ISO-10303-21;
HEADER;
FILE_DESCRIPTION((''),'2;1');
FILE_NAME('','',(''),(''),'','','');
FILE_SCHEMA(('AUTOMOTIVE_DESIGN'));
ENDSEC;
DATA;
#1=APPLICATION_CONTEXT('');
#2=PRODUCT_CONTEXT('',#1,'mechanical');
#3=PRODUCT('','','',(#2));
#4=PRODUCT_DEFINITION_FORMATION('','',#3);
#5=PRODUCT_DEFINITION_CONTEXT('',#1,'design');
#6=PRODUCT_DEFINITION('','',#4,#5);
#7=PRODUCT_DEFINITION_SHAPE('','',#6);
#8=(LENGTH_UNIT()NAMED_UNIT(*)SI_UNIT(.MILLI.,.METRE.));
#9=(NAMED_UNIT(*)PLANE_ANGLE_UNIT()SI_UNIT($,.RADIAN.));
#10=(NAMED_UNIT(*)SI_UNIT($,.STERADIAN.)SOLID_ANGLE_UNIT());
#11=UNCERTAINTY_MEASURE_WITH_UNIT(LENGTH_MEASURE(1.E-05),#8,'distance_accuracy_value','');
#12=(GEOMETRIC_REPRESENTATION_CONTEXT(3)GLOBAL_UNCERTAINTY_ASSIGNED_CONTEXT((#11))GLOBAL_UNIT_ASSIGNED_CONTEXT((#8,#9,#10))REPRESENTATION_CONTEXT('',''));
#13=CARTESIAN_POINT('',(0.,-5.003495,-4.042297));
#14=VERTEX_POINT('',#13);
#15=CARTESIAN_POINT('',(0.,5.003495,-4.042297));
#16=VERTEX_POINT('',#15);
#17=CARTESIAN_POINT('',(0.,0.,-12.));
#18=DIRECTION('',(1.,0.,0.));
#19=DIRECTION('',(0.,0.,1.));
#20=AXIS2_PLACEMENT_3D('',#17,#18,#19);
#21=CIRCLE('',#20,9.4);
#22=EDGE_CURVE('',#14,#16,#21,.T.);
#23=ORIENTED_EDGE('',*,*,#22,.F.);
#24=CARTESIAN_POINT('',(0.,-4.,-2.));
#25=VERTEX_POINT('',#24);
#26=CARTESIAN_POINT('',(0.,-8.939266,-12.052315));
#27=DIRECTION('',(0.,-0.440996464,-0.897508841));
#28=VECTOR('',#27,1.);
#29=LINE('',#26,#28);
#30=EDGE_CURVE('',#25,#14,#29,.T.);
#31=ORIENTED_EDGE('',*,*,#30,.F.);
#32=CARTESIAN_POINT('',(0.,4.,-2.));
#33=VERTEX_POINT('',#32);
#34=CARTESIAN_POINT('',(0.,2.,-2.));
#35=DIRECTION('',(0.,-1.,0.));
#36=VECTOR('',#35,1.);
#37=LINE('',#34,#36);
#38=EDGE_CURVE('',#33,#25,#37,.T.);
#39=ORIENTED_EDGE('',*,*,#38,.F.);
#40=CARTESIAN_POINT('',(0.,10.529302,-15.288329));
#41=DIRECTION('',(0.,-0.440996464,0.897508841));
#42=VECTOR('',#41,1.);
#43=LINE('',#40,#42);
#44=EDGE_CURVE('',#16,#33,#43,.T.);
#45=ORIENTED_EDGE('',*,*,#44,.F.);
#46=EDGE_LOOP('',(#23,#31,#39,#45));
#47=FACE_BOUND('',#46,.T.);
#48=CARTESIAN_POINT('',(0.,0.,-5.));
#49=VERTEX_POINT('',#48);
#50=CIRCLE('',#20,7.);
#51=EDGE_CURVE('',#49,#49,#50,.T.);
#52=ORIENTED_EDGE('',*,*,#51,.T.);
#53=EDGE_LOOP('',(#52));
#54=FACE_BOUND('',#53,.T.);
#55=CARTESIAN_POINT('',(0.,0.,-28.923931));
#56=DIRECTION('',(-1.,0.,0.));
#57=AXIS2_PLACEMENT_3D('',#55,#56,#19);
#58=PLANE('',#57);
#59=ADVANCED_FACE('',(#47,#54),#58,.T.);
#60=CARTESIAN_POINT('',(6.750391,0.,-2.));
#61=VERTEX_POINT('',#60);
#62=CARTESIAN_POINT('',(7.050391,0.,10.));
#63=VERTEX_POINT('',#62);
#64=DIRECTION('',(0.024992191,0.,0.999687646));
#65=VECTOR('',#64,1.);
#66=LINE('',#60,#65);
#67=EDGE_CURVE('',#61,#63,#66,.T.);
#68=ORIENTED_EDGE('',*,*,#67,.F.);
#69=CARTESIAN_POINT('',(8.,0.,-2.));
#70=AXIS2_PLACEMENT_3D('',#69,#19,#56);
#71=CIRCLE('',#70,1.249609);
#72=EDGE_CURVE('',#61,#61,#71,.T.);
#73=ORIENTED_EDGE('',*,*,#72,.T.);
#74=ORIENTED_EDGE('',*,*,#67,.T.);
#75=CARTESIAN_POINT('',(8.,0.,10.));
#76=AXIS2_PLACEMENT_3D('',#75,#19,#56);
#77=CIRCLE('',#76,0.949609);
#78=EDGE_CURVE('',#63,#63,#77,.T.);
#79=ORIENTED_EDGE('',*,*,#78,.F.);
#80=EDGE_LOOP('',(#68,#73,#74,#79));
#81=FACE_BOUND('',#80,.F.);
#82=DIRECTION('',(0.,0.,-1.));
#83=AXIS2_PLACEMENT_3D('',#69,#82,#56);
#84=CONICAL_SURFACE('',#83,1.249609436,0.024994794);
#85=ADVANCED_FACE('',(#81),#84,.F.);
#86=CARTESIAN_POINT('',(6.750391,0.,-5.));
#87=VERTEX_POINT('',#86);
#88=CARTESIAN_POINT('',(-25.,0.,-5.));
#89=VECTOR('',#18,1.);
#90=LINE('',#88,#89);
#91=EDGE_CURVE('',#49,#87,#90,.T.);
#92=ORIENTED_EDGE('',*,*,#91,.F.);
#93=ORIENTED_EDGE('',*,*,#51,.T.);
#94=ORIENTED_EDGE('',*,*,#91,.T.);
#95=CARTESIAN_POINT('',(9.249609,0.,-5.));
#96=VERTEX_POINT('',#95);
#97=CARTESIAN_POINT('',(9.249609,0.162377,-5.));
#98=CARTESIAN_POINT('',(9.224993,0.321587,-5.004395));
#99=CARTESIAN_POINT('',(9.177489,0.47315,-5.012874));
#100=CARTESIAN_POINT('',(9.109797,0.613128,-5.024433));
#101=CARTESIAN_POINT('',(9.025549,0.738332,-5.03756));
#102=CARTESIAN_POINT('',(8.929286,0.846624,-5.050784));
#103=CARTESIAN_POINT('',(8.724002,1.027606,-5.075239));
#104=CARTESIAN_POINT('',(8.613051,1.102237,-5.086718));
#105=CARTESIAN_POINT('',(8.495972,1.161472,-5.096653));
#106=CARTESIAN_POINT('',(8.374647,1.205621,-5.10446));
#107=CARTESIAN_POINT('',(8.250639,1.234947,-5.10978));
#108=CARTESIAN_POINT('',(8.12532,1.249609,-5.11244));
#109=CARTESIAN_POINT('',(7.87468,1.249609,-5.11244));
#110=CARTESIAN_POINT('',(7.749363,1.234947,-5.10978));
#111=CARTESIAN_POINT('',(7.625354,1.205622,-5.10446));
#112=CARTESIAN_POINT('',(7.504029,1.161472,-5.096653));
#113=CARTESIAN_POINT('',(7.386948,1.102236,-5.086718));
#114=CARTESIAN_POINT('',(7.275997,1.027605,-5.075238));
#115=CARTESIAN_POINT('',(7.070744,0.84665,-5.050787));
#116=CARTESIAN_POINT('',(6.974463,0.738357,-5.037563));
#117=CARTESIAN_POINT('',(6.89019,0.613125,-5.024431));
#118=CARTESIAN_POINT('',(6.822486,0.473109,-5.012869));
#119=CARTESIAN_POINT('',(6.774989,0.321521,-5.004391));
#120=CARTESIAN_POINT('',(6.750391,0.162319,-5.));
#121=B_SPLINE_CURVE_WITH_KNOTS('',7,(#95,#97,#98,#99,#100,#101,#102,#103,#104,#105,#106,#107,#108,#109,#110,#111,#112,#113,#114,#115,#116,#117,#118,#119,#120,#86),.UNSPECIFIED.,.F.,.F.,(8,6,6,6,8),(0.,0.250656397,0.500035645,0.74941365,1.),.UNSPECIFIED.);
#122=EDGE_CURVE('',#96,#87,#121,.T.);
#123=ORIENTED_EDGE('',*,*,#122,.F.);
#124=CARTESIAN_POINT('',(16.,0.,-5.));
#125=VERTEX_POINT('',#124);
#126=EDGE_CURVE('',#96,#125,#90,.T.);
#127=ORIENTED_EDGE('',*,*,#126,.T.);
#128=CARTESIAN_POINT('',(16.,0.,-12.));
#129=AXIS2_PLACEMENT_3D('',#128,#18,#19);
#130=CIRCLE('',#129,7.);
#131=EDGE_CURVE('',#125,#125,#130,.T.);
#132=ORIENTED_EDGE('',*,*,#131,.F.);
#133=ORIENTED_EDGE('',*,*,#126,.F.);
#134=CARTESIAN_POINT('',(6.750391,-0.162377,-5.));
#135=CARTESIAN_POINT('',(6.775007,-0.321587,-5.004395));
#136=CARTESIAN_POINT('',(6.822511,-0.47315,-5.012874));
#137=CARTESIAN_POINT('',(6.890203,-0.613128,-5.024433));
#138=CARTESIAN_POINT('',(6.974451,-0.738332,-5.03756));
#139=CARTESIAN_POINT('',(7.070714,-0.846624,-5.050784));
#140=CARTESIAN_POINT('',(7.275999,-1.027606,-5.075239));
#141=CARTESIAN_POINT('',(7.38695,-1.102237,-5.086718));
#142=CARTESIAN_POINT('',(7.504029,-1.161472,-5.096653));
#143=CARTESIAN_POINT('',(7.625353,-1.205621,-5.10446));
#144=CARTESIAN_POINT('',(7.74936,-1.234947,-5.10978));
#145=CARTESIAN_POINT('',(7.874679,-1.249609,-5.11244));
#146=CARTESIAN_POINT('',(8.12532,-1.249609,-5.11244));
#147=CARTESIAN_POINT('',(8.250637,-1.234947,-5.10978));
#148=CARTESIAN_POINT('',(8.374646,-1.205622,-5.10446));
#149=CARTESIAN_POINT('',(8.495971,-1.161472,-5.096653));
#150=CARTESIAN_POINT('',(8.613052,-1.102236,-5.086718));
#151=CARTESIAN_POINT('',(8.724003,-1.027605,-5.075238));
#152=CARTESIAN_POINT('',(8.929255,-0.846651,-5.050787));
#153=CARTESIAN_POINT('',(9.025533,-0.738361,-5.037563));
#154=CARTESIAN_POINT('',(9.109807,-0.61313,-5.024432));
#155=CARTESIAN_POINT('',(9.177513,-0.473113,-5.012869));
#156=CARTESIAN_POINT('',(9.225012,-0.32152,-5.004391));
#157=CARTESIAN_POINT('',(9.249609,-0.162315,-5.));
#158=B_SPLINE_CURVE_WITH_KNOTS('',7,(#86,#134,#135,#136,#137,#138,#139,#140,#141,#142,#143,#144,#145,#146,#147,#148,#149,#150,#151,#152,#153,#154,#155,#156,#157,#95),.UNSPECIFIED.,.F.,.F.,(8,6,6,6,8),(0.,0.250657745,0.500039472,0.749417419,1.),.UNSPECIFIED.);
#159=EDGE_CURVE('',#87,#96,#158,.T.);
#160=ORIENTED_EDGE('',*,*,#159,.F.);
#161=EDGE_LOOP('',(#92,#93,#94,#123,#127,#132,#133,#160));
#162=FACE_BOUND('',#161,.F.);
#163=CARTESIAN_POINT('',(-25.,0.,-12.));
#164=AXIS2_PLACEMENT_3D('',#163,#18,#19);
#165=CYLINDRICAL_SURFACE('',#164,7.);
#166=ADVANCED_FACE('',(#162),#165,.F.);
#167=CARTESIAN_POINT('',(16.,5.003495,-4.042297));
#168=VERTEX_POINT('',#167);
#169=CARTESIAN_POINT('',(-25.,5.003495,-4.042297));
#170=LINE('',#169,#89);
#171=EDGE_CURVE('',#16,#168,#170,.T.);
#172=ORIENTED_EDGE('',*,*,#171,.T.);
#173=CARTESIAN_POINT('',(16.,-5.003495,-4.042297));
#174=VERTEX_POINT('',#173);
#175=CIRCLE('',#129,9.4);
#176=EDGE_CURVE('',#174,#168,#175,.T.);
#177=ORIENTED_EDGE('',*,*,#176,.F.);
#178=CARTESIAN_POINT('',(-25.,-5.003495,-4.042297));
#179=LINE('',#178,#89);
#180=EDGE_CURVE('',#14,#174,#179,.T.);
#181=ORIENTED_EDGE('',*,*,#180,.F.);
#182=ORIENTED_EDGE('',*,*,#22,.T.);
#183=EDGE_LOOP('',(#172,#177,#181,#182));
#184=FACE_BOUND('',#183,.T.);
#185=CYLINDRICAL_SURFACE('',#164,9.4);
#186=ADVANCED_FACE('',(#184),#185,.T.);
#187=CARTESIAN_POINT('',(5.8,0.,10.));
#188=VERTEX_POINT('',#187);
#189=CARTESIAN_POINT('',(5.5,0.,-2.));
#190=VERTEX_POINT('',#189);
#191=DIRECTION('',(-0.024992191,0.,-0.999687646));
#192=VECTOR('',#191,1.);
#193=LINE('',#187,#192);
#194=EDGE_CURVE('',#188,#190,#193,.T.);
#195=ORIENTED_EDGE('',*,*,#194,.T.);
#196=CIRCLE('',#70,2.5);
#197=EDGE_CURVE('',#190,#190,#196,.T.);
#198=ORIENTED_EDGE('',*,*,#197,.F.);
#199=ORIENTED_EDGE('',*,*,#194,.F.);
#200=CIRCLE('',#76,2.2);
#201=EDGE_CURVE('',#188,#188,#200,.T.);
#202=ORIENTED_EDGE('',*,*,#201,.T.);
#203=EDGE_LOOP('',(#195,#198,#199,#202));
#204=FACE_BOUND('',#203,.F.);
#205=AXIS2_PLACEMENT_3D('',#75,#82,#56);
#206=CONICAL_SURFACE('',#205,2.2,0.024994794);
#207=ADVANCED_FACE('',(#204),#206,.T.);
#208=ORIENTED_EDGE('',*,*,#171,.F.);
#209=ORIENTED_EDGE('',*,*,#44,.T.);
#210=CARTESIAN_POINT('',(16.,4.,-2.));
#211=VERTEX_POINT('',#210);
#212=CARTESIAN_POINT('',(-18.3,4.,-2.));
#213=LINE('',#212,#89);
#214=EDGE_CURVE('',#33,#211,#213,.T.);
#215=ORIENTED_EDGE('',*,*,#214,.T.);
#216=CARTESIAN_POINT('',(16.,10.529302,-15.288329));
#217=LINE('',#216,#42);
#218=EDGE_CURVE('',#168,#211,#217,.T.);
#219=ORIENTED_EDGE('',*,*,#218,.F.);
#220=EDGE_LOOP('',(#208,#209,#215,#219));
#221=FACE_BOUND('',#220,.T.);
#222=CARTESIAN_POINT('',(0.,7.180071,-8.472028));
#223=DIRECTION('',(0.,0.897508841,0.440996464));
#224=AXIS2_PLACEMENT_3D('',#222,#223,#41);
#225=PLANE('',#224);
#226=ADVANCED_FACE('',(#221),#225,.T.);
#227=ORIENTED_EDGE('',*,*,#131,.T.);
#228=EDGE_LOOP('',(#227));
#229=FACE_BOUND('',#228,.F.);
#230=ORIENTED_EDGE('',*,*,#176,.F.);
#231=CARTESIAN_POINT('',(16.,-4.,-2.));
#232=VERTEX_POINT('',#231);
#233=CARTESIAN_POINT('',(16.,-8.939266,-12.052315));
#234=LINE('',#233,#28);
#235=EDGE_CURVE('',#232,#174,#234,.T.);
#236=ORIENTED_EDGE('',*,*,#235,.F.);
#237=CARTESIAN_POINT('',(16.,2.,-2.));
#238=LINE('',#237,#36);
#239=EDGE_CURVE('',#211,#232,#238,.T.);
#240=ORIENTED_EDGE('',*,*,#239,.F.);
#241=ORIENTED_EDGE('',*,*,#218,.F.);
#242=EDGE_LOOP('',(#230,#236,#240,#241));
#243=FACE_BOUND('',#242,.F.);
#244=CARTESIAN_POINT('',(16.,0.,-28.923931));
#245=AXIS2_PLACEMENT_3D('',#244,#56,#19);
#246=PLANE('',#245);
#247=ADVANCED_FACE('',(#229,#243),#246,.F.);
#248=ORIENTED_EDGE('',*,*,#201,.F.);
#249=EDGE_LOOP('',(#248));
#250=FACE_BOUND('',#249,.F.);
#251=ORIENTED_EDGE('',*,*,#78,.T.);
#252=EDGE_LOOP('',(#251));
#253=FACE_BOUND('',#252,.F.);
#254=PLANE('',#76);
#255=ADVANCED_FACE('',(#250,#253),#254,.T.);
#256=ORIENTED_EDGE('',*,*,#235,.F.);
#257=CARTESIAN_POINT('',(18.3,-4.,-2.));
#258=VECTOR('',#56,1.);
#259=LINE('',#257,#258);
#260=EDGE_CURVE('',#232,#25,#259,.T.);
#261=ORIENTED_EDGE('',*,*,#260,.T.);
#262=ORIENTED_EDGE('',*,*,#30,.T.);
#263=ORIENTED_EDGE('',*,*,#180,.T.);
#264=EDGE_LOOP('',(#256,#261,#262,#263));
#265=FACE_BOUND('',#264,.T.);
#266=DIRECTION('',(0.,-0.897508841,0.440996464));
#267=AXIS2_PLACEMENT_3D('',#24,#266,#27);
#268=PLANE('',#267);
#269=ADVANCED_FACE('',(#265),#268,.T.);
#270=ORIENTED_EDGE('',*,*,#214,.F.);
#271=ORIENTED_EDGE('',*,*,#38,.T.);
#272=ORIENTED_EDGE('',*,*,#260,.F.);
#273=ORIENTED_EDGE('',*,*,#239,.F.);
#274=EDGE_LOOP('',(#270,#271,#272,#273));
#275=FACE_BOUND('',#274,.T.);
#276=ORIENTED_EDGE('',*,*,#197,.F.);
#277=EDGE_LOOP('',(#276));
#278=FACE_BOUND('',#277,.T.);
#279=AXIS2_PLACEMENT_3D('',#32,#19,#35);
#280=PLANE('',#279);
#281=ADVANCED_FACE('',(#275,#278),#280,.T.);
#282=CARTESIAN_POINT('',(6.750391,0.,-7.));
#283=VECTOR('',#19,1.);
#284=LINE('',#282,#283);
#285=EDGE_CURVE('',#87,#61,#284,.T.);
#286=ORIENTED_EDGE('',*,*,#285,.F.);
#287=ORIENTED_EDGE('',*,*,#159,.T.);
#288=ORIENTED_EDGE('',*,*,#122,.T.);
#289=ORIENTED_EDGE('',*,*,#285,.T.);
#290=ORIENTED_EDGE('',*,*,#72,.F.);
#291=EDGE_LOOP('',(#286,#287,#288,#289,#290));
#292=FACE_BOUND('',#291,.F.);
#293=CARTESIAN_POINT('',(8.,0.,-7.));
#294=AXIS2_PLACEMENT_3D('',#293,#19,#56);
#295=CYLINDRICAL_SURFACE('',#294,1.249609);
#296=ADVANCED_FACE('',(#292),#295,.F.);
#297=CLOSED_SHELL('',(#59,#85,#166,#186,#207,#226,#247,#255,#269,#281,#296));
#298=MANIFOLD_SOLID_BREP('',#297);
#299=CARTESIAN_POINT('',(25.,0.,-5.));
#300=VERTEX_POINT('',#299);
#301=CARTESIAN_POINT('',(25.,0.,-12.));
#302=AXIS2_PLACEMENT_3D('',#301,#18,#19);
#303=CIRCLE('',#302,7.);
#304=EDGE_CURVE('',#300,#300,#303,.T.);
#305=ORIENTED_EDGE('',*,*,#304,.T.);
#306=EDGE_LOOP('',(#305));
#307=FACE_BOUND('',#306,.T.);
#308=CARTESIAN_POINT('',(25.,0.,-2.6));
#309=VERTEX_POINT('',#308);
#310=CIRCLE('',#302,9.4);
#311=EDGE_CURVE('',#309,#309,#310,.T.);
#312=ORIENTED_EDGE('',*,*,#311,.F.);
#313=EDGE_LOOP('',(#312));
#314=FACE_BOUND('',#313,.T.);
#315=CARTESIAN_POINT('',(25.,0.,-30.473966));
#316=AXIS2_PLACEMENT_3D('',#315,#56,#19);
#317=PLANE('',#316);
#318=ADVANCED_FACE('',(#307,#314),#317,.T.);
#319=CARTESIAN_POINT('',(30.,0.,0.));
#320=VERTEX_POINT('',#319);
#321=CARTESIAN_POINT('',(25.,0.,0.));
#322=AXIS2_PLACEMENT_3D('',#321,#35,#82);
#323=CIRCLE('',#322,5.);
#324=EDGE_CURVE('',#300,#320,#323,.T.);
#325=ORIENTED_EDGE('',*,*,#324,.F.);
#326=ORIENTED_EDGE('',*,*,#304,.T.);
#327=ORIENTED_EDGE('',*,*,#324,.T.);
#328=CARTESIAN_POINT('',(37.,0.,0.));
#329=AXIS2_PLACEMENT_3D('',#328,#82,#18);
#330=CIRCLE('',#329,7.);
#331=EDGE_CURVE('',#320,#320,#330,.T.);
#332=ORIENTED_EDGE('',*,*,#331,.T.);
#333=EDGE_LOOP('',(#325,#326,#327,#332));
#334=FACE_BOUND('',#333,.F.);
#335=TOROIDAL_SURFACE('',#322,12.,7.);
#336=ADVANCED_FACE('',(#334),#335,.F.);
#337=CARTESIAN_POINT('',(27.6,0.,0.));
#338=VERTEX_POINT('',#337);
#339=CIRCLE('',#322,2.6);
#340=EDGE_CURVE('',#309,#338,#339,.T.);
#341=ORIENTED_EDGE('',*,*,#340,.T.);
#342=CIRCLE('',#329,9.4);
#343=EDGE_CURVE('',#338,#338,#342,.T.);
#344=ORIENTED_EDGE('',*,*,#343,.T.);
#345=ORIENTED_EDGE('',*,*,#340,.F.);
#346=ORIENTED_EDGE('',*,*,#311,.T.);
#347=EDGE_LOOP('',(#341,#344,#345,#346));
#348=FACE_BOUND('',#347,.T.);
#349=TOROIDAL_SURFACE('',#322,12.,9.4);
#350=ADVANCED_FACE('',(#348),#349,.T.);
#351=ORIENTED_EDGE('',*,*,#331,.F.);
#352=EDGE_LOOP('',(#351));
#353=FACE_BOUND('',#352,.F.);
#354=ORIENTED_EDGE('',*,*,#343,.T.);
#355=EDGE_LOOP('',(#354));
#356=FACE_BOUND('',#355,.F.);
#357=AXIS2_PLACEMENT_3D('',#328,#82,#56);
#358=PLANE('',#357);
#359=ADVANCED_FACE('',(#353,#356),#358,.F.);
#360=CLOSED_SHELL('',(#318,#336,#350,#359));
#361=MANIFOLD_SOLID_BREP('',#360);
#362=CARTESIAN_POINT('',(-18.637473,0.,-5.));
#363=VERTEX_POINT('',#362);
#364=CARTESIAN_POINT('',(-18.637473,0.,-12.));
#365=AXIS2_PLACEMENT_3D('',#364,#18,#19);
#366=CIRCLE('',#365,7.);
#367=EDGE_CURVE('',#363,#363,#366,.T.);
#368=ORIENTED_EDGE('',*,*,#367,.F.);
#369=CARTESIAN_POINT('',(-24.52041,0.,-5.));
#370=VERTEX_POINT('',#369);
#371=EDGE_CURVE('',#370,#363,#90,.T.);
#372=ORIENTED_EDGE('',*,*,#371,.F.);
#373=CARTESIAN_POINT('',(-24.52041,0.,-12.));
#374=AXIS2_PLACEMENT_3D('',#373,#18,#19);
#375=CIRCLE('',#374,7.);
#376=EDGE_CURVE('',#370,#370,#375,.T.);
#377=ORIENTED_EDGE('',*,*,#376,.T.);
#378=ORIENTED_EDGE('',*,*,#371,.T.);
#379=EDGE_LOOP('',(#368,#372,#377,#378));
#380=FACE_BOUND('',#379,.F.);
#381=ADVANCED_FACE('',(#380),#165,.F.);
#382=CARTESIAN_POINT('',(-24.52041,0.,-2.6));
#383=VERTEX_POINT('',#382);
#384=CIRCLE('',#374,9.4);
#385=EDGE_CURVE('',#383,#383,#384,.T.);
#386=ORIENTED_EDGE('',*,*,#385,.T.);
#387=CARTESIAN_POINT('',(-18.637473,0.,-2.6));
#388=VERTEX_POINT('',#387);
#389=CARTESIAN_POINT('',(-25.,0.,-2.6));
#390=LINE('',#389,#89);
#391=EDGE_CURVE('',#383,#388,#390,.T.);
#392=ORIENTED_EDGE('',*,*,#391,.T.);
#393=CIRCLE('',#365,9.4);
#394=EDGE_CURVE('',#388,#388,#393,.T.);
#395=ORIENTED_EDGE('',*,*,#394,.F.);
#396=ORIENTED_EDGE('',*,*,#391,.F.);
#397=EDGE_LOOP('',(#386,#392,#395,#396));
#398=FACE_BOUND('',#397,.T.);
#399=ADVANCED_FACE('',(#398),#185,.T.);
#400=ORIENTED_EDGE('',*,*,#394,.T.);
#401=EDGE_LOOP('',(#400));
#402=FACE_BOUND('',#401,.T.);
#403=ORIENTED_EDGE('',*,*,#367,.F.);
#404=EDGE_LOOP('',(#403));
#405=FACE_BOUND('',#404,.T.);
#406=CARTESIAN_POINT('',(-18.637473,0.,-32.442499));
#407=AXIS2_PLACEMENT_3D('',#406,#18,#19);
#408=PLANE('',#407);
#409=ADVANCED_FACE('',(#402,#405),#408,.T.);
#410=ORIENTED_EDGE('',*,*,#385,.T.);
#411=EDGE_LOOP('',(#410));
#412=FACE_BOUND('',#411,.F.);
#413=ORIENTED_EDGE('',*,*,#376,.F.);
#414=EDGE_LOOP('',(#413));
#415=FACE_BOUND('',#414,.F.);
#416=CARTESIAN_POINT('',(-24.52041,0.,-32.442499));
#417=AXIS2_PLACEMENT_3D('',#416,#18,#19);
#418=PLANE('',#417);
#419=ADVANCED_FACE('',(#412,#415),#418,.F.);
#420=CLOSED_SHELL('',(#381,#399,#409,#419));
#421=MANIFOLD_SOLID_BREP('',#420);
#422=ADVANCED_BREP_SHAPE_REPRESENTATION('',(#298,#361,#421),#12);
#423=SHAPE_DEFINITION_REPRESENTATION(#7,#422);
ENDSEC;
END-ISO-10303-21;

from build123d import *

# Parameters (mm, degrees)
F1_R     = 9.4
F1_R_2   = 7
F4_DEPTH = 18.3
F5_W     = 1.249609436
F5_H     = 10
F8_W     = 16
F8_H     = 46.3908466514
F8_W_2   = 23.1704358011
F8_H_2   = 47.9381382465
F8_W_3   = 5.8829372283
F8_H_3   = 50.1003395766
F9_DEPTH = 12.5


with BuildPart() as f2:
    # F2: sweep along a path in F0
    with BuildLine(Plane.XZ) as f2_path:
        ThreePointArc((-37, 0), (-33.4852813742, -8.4852813742), (-25, -12))
        Line((-25, -12), (25, -12))
        ThreePointArc((25, -12), (33.4852813742, -8.4852813742), (37, 0))
    # F1 (on Top) → F2 (sweep)
    with BuildSketch(Plane.XY):
        with Locations((-37, 0)):
            Circle(F1_R)
        with Locations((-37, 0)):
            Circle(F1_R_2, mode=Mode.SUBTRACT)
    sweep(path=f2_path.line)

    # F3 (on Right) → F4 (join, symmetric)
    with BuildSketch(Plane.YZ):
        with BuildLine():
            ThreePointArc((-7.1800707248, -8.4720282899), (0, -4), (7.1800707248, -8.4720282899))
            Line((7.1800707248, -8.4720282899), (4, -2))
            Line((4, -2), (0, -2))
            Line((0, -2), (-4, -2))
            Line((-4, -2), (-7.1800707248, -8.4720282899))
        make_face()
    extrude(amount=F4_DEPTH, both=True)

    # F5 (on Front) → F6 (revolve)
    with BuildSketch(Plane.XZ):
        Polygon((5.8, 10), (5.5, -2), (6.750390564, -2), (7.050390564, 10), align=None)
    revolve(axis=Axis((8, 0, 4), (0, 0, 1)))

    # F5 (on Front) → F7 (revolve, cut)
    with BuildSketch(Plane.XZ):
        with Locations((7.375195282, -7)):
            Rectangle(F5_W, F5_H)
    revolve(axis=Axis((8, 0, 4), (0, 0, 1)), mode=Mode.SUBTRACT)

    # F8 (on Front) → F9 (intersect, symmetric)
    with BuildSketch(Plane.XZ):
        with Locations((8, -5.7285078005)):
            Rectangle(F8_W, F8_H)
        with Locations((36.5852179006, -6.5048970282)):
            Rectangle(F8_W_2, F8_H_2)
        with Locations((-21.5789416106, -7.3923291638)):
            Rectangle(F8_W_3, F8_H_3)
    extrude(amount=F9_DEPTH, both=True, mode=Mode.INTERSECT)


solid = f2.part
